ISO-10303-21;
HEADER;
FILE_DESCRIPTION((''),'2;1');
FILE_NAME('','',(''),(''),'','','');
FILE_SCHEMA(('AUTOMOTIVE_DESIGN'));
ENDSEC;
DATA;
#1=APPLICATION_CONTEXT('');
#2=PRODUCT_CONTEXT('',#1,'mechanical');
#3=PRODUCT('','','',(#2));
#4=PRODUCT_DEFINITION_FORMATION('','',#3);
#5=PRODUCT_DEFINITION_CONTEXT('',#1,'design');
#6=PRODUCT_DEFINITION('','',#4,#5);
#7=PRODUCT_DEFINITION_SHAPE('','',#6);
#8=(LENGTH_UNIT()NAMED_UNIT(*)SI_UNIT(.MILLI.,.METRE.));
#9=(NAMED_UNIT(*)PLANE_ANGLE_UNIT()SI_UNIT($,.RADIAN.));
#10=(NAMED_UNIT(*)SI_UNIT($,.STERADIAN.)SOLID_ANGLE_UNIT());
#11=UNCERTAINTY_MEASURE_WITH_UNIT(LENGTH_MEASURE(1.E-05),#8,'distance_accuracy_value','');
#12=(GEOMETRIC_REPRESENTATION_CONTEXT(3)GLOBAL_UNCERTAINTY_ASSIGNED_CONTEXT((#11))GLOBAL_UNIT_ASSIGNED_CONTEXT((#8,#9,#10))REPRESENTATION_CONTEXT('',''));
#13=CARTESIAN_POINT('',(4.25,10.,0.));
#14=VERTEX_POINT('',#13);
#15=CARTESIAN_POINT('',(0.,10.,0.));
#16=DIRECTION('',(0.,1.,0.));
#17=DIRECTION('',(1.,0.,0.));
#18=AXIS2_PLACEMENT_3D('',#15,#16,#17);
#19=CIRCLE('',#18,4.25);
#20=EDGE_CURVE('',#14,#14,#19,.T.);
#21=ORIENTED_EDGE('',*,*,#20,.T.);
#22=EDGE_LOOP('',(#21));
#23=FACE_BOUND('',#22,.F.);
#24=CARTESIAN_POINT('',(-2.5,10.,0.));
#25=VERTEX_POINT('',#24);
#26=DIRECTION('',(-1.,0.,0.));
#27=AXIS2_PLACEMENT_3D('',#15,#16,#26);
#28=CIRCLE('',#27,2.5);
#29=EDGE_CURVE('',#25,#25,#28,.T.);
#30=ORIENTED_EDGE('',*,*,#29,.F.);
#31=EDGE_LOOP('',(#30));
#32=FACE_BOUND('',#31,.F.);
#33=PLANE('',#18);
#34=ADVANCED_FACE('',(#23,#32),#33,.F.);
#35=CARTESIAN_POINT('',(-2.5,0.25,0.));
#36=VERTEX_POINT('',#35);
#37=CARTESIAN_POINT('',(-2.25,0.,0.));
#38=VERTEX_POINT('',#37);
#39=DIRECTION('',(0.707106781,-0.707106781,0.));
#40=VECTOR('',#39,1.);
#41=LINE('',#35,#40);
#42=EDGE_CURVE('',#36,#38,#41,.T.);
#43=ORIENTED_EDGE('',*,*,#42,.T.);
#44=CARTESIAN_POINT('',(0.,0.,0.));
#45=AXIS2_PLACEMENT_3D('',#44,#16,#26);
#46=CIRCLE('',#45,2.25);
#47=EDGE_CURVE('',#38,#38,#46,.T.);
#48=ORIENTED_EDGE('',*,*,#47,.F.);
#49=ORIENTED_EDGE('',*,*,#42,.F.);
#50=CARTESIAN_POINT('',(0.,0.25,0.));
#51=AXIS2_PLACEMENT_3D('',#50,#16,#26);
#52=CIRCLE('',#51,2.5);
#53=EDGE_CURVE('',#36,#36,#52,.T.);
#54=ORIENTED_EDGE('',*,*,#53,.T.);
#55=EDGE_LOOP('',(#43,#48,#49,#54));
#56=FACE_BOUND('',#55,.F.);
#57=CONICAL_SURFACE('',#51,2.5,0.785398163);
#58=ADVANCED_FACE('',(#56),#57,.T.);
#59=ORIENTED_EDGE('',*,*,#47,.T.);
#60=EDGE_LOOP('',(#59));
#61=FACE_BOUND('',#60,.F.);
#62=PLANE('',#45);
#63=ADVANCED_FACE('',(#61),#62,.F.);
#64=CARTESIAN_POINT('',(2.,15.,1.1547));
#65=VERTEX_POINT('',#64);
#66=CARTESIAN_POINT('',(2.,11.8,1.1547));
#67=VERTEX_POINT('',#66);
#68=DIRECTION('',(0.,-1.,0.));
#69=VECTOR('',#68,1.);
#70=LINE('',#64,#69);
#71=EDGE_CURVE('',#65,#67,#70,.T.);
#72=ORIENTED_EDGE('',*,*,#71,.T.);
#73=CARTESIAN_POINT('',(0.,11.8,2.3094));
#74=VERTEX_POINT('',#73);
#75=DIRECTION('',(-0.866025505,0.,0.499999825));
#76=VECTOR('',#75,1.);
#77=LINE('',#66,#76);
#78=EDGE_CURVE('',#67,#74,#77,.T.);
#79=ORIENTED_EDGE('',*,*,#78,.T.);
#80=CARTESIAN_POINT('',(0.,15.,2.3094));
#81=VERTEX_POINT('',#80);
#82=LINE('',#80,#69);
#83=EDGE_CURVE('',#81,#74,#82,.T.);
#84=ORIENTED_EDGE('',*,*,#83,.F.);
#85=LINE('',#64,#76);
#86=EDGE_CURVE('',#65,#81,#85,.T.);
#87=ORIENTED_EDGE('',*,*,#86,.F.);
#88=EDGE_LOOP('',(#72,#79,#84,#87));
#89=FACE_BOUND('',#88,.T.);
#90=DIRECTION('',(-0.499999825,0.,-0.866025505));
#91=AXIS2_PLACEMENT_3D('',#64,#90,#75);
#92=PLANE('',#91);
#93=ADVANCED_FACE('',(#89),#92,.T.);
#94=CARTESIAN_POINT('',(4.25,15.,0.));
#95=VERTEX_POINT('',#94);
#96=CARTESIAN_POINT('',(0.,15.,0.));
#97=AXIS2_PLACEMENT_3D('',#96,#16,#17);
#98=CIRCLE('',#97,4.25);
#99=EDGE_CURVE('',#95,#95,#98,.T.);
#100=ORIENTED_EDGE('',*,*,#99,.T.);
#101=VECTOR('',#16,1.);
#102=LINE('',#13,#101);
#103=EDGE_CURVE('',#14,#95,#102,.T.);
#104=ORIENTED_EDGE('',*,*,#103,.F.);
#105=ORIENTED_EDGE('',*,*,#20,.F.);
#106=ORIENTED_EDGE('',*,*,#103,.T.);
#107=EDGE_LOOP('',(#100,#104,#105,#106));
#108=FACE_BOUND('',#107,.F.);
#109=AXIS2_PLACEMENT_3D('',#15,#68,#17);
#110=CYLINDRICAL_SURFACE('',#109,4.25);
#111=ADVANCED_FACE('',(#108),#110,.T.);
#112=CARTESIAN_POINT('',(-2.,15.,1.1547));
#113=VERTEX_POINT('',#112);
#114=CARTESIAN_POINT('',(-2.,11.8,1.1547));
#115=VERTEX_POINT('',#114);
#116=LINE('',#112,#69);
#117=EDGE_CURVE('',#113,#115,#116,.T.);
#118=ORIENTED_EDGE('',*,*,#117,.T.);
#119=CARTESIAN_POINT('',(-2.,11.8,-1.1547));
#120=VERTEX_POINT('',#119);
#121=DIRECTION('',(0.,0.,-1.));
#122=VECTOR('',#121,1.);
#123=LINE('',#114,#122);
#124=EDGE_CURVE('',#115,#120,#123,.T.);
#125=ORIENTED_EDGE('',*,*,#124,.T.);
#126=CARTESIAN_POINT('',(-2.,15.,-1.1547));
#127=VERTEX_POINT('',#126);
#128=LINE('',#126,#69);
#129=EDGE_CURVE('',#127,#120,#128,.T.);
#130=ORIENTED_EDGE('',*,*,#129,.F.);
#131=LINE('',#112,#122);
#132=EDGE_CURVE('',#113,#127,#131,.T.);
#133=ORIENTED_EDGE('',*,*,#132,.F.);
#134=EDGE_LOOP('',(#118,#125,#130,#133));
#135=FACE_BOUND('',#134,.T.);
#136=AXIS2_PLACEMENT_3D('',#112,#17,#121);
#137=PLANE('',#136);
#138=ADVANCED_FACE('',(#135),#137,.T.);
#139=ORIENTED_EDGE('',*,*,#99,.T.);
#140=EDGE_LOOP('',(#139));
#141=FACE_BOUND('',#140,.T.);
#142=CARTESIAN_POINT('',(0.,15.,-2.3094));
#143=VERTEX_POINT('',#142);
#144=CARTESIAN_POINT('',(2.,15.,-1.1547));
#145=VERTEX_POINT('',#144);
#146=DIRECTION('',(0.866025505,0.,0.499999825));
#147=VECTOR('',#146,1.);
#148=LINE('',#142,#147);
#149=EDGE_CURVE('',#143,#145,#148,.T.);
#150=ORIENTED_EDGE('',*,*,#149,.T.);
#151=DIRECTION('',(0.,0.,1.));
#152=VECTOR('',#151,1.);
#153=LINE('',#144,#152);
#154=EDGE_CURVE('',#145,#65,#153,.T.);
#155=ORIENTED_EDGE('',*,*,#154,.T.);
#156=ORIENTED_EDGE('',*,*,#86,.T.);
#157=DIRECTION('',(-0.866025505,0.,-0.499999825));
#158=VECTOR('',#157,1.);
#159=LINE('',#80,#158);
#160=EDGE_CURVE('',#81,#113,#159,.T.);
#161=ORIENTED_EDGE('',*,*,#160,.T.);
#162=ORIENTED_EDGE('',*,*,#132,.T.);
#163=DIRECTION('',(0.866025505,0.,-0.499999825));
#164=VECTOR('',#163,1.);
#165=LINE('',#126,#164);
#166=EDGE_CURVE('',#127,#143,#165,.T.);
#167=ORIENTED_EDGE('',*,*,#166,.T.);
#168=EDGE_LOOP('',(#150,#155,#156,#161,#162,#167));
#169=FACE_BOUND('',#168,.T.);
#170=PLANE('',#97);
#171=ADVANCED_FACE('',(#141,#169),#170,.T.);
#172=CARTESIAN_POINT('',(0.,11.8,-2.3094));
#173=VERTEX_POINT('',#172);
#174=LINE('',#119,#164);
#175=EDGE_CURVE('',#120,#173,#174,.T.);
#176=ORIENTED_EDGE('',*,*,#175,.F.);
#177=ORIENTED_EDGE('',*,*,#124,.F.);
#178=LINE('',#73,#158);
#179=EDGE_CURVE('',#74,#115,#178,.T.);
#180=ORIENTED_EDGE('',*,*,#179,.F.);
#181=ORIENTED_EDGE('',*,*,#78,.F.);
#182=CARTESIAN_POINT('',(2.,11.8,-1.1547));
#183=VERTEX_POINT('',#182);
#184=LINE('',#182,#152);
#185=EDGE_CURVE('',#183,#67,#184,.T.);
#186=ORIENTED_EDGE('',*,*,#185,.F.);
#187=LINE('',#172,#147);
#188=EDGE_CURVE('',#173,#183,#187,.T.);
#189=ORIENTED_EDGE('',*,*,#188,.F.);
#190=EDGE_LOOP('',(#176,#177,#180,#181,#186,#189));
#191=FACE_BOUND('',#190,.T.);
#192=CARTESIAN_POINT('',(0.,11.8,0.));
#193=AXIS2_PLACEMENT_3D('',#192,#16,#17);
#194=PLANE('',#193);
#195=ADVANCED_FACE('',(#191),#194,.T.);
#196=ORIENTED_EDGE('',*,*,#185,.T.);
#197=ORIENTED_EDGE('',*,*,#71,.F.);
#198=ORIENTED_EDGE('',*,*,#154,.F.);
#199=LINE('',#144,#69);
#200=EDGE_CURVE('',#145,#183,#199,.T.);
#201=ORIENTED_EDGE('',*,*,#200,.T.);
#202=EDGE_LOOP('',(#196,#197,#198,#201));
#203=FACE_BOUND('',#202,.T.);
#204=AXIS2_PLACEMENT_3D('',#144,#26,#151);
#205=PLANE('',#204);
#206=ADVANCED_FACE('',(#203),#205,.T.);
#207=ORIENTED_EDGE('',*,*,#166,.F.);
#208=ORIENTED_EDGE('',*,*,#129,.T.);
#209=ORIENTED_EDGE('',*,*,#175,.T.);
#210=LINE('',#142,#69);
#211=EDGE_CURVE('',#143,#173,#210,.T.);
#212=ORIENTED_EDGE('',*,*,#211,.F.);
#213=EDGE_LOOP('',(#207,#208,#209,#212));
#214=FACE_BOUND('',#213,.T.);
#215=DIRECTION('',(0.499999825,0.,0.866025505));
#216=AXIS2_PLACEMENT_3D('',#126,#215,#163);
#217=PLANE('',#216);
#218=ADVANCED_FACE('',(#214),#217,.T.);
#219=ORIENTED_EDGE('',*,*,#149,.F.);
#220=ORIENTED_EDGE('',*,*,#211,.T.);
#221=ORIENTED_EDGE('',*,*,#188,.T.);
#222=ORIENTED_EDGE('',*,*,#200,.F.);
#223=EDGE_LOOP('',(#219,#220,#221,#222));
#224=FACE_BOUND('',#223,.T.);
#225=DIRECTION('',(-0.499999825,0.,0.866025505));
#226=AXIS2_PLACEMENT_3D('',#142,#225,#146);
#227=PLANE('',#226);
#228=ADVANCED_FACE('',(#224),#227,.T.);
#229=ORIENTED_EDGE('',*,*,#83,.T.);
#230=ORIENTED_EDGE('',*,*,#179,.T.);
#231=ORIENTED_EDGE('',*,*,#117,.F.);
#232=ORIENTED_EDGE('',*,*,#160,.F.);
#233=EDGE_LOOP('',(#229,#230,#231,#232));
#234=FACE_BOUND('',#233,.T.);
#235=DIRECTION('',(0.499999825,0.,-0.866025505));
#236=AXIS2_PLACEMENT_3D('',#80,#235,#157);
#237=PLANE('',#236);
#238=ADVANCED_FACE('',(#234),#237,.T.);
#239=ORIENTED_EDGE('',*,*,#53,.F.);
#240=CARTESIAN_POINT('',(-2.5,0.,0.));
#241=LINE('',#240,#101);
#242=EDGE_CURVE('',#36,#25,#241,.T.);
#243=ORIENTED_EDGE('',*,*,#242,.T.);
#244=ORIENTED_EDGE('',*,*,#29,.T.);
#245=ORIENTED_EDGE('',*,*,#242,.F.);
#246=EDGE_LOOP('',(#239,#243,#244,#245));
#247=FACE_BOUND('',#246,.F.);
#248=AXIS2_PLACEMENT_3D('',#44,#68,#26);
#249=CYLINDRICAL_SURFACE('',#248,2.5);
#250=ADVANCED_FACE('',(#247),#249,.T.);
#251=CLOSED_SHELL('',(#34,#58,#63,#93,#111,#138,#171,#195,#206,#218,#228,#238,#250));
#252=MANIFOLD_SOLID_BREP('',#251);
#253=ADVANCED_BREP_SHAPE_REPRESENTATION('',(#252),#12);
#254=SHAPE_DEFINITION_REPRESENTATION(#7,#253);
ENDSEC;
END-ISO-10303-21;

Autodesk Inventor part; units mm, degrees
ref_plane "YZ Plane" through (0, 0, 0) normal (1, 0, 0) x (0, 1, 0)
ref_plane "XZ Plane" through (0, 0, 0) normal (0, 1, 0) x (-1, 0, 0)
ref_plane "XY Plane" through (0, 0, 0) normal (0, 0, 1) x (1, 0, 0)
sketch "Sketch1" plane through (0, 0, 0) normal (0, 1, 0) x (-1, 0, 0)
  circle A0 centre (0, 0) radius 2.5
  dimension "d0" = 5
extrude "Extrusion1" add sketch "Sketch1" along normal blind 10
sketch "Sketch2" plane through (0, 10, 0) normal (0, 1, 0) x (1, 0, 0)
  circle A0 centre (0, 0) radius 2.5 projected
  circle A1 centre (0, 0) radius 4.25
  dimension "d3" = 8.5
extrude "Extrusion2" add sketch "Sketch2" along normal blind 5 contours A0 | A1
sketch "Sketch3" plane through (0, 15, 0) normal (0, 1, 0) x (1, 0, 0)
  circle A0 centre (0, 0) radius 4.25 projected
  line L0 (0, 2.3094) -> (2, 1.1547)
  line L1 (2, 1.1547) -> (2, -1.1547)
  line L2 (2, -1.1547) -> (0, -2.3094)
  line L3 (0, -2.3094) -> (-2, -1.1547)
  line L4 (-2, -1.1547) -> (-2, 1.1547)
  line L5 (-2, 1.1547) -> (0, 2.3094)
  dimension "d6" = 2
extrude "Extrusion3" cut sketch "Sketch3" against normal blind 3.2 contours L0 L1 L2 L3 L4 L5
thread "Thread1" size "M5x0.8" class "6g" standard "ANSI Metric M Profile" full length
chamfer "Chamfer1" distance 0.25 angle 45 1 edges at (2.5, 0, 0)
properties part number "M5x10SHCS" material "Stainless Steel"
